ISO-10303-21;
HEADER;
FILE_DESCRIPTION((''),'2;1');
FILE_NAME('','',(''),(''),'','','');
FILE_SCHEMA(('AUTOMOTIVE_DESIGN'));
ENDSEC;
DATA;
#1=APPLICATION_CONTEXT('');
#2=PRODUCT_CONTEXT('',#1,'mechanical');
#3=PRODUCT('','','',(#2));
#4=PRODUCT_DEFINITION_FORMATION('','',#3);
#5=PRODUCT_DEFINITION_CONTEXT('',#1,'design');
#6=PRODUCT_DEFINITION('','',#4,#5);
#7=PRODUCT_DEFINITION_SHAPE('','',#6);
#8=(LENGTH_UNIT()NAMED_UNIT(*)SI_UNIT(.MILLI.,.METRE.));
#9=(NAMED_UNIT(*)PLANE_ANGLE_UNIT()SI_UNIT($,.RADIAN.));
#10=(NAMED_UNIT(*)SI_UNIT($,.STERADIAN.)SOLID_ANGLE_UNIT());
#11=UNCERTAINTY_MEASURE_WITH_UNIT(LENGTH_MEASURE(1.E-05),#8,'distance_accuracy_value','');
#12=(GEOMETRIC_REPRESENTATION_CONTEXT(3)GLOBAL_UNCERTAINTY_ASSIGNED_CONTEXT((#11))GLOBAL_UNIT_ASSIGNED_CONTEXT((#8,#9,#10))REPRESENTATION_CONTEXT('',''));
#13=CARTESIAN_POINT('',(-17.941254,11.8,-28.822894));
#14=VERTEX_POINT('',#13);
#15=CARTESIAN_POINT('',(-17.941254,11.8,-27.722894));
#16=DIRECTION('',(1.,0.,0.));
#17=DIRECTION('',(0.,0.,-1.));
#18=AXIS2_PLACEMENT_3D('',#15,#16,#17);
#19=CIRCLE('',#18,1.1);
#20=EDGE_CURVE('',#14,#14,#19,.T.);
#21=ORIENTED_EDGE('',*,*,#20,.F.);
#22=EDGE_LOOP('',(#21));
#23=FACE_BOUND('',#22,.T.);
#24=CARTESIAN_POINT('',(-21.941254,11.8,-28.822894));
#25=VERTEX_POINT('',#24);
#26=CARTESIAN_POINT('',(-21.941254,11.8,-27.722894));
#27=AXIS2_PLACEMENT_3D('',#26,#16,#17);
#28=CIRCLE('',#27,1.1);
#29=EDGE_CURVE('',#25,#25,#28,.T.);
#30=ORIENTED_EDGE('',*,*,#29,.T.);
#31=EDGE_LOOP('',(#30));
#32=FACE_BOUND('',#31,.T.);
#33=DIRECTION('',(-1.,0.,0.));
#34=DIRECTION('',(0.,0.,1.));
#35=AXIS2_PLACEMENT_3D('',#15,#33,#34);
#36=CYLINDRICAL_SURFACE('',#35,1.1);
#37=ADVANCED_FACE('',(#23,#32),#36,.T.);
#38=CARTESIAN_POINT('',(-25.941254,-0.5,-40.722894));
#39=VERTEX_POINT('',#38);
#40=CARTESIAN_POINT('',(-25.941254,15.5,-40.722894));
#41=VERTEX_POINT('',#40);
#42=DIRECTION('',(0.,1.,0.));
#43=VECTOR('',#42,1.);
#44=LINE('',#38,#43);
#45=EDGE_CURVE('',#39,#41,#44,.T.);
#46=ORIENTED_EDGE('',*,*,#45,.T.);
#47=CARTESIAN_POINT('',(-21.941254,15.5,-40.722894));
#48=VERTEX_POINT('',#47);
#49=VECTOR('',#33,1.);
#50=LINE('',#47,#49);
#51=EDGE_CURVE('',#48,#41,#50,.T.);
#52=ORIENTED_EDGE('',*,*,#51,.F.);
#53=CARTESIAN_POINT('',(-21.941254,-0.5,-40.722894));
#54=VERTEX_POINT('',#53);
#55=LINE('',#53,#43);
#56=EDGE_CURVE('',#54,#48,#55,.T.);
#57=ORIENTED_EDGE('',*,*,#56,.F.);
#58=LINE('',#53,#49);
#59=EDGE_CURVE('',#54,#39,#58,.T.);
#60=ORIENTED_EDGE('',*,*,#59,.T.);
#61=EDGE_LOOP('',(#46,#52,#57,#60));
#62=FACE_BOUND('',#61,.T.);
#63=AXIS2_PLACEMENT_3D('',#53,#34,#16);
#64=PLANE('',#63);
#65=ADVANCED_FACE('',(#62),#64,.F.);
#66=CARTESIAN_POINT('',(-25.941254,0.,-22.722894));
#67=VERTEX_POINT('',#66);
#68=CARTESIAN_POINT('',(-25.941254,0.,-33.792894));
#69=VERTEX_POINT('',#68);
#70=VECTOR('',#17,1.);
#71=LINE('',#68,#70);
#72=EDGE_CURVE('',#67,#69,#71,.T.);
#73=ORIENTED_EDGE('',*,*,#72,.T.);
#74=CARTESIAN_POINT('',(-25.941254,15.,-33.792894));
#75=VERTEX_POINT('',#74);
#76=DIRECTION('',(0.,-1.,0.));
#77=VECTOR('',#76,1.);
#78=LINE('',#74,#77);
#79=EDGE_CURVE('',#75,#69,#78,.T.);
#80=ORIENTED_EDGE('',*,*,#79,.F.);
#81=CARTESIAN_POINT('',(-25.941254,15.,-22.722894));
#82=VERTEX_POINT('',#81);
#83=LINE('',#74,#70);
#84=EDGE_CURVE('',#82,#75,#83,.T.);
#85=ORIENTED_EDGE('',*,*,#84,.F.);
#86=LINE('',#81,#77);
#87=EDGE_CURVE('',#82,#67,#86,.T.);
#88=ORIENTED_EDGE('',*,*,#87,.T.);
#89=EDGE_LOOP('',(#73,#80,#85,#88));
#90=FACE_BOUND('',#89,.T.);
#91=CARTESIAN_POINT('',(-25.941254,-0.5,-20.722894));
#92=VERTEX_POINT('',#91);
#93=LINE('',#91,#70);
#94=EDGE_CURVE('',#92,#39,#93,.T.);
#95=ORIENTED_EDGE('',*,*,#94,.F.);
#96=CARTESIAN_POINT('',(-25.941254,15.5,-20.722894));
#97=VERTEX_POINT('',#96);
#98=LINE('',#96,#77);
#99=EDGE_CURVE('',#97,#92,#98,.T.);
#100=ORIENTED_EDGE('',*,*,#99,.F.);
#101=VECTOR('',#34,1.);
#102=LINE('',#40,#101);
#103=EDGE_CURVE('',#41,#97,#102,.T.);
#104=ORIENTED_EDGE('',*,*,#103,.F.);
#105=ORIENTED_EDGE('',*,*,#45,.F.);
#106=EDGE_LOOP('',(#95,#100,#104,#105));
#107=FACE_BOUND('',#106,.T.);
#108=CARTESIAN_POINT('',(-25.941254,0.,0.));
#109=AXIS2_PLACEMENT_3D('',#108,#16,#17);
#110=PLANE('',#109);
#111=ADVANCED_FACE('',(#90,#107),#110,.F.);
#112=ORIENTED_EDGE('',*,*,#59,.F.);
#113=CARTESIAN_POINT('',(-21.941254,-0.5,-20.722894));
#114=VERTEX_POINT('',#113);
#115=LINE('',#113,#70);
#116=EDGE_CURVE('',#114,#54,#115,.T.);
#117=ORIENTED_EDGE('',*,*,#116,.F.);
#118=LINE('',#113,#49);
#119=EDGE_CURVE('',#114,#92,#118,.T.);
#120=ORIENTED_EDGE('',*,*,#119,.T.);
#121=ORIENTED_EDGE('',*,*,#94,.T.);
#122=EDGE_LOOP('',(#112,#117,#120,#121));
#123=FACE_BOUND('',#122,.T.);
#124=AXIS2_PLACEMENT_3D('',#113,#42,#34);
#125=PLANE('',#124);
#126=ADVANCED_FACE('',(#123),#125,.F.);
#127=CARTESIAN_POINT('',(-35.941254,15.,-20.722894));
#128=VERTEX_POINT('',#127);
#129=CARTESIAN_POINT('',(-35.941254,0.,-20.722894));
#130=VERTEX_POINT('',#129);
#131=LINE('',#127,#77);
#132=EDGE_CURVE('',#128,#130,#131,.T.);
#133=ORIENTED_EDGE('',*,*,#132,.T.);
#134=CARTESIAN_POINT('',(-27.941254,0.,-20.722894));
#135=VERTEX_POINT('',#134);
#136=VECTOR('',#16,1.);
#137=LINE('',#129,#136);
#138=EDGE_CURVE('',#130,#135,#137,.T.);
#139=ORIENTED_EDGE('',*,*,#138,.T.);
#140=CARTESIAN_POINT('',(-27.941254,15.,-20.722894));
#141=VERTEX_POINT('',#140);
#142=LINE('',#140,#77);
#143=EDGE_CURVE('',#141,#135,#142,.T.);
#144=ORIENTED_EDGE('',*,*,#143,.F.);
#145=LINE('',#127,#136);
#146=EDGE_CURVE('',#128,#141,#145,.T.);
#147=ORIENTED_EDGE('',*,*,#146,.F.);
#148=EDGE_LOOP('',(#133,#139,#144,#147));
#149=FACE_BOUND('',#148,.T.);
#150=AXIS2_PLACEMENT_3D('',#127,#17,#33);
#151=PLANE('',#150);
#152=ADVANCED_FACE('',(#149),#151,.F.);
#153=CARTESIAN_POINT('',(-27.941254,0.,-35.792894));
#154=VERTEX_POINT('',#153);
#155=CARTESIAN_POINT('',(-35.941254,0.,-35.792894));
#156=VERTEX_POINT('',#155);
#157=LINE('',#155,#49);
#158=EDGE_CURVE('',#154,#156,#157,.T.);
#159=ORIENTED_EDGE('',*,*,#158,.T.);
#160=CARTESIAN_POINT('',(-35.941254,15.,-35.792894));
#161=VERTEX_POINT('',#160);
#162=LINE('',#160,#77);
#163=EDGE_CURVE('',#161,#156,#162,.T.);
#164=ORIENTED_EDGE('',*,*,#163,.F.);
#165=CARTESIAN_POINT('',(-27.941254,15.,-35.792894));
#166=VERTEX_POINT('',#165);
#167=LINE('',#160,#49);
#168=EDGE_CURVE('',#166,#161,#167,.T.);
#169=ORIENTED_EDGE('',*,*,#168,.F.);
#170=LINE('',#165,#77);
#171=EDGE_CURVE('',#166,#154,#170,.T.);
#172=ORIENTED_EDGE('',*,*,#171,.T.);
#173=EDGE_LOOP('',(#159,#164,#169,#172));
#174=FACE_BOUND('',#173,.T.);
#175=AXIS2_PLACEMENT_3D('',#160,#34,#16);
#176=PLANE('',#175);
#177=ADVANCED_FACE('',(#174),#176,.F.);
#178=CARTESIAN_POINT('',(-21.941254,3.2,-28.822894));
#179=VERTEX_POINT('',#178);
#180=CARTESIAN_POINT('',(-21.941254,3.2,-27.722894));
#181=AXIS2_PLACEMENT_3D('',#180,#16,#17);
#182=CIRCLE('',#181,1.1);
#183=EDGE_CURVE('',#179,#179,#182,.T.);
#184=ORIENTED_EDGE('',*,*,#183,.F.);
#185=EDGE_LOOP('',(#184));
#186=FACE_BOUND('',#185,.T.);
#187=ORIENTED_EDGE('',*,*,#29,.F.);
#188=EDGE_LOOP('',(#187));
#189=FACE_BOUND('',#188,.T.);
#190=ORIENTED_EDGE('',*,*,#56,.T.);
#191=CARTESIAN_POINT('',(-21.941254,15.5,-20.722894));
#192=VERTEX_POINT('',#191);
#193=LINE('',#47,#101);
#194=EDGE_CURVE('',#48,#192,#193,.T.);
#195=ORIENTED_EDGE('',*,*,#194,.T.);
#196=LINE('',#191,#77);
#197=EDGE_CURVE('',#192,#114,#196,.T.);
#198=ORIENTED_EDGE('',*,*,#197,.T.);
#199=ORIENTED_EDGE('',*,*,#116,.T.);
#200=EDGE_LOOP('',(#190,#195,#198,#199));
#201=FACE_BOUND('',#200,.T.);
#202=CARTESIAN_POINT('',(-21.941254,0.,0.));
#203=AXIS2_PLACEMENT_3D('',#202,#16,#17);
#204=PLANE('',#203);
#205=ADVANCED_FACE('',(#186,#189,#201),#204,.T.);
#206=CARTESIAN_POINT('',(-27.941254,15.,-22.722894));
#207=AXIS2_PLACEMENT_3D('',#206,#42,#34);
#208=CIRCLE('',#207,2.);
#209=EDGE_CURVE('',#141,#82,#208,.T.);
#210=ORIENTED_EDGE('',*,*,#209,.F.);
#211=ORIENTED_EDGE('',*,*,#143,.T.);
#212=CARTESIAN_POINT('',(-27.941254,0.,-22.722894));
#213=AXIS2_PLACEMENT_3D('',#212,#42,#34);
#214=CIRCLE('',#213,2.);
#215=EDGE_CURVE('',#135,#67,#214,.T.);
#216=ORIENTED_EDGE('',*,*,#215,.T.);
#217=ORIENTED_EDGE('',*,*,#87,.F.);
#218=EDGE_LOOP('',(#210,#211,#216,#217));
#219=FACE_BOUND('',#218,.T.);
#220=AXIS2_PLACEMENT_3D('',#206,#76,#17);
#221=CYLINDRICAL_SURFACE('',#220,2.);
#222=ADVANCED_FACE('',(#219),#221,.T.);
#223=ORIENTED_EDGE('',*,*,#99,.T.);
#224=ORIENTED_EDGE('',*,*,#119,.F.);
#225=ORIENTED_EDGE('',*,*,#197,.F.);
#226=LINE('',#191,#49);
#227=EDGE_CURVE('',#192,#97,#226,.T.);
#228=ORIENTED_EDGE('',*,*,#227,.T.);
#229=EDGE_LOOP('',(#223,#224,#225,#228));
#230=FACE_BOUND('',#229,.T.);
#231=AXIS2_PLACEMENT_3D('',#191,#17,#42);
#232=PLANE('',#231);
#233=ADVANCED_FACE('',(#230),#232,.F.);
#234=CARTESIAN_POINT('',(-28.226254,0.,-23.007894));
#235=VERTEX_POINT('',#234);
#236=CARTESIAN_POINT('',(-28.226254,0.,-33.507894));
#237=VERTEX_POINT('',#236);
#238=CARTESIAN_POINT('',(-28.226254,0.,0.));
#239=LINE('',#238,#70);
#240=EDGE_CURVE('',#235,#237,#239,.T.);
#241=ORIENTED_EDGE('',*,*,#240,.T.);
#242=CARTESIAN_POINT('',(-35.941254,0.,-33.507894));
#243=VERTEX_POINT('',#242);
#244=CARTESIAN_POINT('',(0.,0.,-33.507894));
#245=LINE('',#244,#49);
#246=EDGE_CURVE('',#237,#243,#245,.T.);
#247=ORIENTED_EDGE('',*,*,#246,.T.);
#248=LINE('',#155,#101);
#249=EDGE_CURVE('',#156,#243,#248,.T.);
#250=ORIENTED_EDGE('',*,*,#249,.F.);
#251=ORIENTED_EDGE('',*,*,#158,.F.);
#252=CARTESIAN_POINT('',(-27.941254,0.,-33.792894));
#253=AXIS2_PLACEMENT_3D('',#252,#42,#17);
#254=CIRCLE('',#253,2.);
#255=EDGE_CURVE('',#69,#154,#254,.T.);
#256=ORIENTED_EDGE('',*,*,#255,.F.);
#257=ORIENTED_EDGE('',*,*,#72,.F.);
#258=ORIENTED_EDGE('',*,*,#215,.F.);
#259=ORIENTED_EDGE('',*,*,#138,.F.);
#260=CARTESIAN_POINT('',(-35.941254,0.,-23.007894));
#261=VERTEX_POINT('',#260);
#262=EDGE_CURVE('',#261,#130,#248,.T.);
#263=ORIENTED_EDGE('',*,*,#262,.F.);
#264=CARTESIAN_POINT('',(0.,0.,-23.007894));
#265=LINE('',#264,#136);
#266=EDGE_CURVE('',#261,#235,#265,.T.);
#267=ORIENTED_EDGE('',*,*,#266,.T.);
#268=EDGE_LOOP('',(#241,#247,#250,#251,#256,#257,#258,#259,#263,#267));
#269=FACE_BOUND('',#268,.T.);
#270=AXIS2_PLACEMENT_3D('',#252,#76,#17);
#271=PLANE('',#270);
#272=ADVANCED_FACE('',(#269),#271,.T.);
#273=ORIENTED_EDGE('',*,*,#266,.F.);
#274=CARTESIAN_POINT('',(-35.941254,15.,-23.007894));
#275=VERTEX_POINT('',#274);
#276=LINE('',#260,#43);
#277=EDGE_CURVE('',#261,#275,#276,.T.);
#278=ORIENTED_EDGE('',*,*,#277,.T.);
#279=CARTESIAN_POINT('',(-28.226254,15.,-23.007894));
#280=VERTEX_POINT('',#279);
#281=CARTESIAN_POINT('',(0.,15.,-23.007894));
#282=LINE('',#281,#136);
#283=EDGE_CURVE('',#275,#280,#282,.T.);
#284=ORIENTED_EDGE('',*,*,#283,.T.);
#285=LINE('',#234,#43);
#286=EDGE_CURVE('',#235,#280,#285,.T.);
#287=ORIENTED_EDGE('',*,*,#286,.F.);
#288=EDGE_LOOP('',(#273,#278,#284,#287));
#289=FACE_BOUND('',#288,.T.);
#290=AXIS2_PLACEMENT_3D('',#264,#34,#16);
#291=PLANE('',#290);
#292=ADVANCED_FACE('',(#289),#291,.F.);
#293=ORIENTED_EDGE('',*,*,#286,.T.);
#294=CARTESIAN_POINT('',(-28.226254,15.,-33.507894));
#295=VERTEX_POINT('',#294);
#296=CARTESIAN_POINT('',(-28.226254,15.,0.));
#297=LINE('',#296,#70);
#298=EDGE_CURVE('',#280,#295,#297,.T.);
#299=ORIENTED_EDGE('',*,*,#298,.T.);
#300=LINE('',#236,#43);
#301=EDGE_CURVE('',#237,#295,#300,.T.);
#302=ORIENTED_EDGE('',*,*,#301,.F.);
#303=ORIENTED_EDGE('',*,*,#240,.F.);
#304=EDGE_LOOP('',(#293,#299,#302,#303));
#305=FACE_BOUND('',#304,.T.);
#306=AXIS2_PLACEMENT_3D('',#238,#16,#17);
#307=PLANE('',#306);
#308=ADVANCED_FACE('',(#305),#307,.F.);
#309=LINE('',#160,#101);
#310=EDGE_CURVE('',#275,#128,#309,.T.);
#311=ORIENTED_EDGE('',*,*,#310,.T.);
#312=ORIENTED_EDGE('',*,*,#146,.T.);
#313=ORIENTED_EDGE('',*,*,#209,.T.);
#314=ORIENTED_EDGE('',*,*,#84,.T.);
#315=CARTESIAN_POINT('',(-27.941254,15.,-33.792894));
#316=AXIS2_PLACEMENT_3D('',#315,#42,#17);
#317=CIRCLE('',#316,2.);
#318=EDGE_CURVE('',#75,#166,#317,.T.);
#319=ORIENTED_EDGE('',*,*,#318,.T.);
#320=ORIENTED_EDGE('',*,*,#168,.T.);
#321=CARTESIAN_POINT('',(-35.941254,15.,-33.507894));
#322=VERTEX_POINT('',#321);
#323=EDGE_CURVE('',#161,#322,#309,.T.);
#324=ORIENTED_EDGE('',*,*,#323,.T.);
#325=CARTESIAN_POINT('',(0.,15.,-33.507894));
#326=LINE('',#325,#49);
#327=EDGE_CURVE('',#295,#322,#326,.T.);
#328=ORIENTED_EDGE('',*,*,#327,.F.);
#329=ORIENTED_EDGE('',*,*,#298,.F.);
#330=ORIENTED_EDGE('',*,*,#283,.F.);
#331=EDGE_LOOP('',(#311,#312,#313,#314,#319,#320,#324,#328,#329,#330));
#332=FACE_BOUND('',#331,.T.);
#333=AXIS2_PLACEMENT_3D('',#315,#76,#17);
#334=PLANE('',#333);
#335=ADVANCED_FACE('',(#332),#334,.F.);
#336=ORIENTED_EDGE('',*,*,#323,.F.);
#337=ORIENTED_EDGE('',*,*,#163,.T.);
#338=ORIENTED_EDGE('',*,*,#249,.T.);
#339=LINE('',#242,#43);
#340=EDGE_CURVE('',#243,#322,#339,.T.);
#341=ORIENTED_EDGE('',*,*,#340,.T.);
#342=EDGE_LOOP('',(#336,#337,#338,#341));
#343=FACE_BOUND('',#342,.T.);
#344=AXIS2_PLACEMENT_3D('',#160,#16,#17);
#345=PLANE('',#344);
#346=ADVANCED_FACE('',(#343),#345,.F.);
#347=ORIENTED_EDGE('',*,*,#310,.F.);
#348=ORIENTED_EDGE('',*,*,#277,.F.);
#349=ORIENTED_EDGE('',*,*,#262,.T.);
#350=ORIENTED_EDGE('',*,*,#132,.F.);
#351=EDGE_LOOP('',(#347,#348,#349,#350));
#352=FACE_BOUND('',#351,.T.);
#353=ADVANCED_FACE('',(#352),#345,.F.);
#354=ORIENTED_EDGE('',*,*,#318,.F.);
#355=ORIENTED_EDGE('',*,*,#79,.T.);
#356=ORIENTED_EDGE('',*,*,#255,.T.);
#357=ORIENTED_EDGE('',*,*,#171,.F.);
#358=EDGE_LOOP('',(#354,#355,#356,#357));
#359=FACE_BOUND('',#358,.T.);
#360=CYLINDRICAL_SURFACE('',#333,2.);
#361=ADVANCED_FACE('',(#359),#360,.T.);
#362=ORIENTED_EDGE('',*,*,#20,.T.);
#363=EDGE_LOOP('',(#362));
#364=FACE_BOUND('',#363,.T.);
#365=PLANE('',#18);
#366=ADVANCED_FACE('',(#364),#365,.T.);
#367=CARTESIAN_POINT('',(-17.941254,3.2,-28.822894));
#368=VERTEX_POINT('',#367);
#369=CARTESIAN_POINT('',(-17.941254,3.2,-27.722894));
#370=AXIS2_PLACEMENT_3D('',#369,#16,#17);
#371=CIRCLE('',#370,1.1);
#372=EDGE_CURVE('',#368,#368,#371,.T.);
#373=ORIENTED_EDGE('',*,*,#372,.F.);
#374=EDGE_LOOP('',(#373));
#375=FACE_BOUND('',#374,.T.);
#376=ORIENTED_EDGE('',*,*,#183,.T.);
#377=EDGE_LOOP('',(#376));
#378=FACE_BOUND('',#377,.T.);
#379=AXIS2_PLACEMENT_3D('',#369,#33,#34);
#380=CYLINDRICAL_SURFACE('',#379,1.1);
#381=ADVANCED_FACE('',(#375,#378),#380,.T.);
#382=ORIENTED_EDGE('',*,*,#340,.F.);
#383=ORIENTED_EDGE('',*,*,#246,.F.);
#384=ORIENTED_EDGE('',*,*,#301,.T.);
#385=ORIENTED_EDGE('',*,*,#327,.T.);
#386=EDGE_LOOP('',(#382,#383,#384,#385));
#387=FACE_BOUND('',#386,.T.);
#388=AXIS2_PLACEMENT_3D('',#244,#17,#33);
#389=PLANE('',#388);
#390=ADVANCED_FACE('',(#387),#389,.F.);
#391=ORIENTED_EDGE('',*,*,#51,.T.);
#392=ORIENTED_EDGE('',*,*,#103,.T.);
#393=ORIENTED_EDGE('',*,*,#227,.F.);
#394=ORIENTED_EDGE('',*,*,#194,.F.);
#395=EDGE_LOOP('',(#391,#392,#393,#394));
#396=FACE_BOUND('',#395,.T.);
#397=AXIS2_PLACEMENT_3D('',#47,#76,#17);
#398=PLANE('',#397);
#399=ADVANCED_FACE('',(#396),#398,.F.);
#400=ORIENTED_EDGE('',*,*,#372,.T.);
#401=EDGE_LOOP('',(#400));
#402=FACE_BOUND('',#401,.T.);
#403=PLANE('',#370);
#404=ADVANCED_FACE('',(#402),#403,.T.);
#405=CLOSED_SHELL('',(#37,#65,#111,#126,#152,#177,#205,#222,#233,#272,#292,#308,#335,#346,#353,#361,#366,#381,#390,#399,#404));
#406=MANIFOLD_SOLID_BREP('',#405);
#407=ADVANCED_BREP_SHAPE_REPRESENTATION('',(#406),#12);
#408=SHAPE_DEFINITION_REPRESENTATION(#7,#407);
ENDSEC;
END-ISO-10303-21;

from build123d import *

# Parameters (mm, degrees)
EXTRUDE_4_DEPTH     = 15
SKETCH_6_W          = 5.43
SKETCH_6_H          = 10.5
CUT_EXTRUDE_2_DEPTH = 15
SKETCH_7_W          = 2.285
SKETCH_7_H          = 10.5
CUT_EXTRUDE_3_DEPTH = 15
SKETCH_8_W          = 20
SKETCH_8_H          = 16
EXTRUDE_5_DEPTH     = 4
SKETCH_9_R          = 1.1
EXTRUDE_6_DEPTH     = 4


with BuildPart() as part:
    # 草图1 → 凸台-拉伸4 (new body)
    with BuildSketch(Plane(origin=(0, 0, 0), x_dir=(1, 0, 0), z_dir=(0, 1, 0))):
        with BuildLine():
            Line((-35.94125392, 35.792894198), (-35.94125392, 20.722894198))
            Line((-35.94125392, 20.722894198), (-27.94125392, 20.722894198))
            ThreePointArc((-27.94125392, 20.722894198), (-26.527040358, 21.308680636), (-25.94125392, 22.722894198))
            Line((-25.94125392, 22.722894198), (-25.94125392, 33.792894198))
            ThreePointArc((-25.94125392, 33.792894198), (-26.527040358, 35.207107761), (-27.94125392, 35.792894198))
            Line((-27.94125392, 35.792894198), (-35.94125392, 35.792894198))
        make_face()
    extrude(amount=EXTRUDE_4_DEPTH)

    # 草图6 → 切除-拉伸2 (cut)
    with BuildSketch(Plane(origin=(0, 15, 0), x_dir=(1, 0, 0), z_dir=(0, 1, 0))):
        with Locations((-30.94125392, 28.257894198)):
            Rectangle(SKETCH_6_W, SKETCH_6_H)
    extrude(amount=-CUT_EXTRUDE_2_DEPTH, mode=Mode.SUBTRACT)

    # 草图7 → 切除-拉伸3 (cut)
    with BuildSketch(Plane(origin=(0, 15, 0), x_dir=(1, 0, 0), z_dir=(0, 1, 0))):
        with Locations((-34.79875392, 28.257894198)):
            Rectangle(SKETCH_7_W, SKETCH_7_H)
    extrude(amount=-CUT_EXTRUDE_3_DEPTH, mode=Mode.SUBTRACT)

    # 草图8 → 凸台-拉伸5 (add)
    with BuildSketch(Plane(origin=(-25.94125392, 0, 0), x_dir=(0, 0, -1), z_dir=(1, 0, 0))):
        with Locations((30.722894198, 7.5)):
            Rectangle(SKETCH_8_W, SKETCH_8_H)
    extrude(amount=EXTRUDE_5_DEPTH)

    # 草图9 → 凸台-拉伸6 (add)
    with BuildSketch(Plane(origin=(-21.94125392, 0, 0), x_dir=(0, 0, -1), z_dir=(1, 0, 0))):
        with Locations((27.722894198, 11.8)):
            Circle(SKETCH_9_R)
        with Locations((27.722894198, 3.2)):
            Circle(SKETCH_9_R)
    extrude(amount=EXTRUDE_6_DEPTH)


solid = part.part
